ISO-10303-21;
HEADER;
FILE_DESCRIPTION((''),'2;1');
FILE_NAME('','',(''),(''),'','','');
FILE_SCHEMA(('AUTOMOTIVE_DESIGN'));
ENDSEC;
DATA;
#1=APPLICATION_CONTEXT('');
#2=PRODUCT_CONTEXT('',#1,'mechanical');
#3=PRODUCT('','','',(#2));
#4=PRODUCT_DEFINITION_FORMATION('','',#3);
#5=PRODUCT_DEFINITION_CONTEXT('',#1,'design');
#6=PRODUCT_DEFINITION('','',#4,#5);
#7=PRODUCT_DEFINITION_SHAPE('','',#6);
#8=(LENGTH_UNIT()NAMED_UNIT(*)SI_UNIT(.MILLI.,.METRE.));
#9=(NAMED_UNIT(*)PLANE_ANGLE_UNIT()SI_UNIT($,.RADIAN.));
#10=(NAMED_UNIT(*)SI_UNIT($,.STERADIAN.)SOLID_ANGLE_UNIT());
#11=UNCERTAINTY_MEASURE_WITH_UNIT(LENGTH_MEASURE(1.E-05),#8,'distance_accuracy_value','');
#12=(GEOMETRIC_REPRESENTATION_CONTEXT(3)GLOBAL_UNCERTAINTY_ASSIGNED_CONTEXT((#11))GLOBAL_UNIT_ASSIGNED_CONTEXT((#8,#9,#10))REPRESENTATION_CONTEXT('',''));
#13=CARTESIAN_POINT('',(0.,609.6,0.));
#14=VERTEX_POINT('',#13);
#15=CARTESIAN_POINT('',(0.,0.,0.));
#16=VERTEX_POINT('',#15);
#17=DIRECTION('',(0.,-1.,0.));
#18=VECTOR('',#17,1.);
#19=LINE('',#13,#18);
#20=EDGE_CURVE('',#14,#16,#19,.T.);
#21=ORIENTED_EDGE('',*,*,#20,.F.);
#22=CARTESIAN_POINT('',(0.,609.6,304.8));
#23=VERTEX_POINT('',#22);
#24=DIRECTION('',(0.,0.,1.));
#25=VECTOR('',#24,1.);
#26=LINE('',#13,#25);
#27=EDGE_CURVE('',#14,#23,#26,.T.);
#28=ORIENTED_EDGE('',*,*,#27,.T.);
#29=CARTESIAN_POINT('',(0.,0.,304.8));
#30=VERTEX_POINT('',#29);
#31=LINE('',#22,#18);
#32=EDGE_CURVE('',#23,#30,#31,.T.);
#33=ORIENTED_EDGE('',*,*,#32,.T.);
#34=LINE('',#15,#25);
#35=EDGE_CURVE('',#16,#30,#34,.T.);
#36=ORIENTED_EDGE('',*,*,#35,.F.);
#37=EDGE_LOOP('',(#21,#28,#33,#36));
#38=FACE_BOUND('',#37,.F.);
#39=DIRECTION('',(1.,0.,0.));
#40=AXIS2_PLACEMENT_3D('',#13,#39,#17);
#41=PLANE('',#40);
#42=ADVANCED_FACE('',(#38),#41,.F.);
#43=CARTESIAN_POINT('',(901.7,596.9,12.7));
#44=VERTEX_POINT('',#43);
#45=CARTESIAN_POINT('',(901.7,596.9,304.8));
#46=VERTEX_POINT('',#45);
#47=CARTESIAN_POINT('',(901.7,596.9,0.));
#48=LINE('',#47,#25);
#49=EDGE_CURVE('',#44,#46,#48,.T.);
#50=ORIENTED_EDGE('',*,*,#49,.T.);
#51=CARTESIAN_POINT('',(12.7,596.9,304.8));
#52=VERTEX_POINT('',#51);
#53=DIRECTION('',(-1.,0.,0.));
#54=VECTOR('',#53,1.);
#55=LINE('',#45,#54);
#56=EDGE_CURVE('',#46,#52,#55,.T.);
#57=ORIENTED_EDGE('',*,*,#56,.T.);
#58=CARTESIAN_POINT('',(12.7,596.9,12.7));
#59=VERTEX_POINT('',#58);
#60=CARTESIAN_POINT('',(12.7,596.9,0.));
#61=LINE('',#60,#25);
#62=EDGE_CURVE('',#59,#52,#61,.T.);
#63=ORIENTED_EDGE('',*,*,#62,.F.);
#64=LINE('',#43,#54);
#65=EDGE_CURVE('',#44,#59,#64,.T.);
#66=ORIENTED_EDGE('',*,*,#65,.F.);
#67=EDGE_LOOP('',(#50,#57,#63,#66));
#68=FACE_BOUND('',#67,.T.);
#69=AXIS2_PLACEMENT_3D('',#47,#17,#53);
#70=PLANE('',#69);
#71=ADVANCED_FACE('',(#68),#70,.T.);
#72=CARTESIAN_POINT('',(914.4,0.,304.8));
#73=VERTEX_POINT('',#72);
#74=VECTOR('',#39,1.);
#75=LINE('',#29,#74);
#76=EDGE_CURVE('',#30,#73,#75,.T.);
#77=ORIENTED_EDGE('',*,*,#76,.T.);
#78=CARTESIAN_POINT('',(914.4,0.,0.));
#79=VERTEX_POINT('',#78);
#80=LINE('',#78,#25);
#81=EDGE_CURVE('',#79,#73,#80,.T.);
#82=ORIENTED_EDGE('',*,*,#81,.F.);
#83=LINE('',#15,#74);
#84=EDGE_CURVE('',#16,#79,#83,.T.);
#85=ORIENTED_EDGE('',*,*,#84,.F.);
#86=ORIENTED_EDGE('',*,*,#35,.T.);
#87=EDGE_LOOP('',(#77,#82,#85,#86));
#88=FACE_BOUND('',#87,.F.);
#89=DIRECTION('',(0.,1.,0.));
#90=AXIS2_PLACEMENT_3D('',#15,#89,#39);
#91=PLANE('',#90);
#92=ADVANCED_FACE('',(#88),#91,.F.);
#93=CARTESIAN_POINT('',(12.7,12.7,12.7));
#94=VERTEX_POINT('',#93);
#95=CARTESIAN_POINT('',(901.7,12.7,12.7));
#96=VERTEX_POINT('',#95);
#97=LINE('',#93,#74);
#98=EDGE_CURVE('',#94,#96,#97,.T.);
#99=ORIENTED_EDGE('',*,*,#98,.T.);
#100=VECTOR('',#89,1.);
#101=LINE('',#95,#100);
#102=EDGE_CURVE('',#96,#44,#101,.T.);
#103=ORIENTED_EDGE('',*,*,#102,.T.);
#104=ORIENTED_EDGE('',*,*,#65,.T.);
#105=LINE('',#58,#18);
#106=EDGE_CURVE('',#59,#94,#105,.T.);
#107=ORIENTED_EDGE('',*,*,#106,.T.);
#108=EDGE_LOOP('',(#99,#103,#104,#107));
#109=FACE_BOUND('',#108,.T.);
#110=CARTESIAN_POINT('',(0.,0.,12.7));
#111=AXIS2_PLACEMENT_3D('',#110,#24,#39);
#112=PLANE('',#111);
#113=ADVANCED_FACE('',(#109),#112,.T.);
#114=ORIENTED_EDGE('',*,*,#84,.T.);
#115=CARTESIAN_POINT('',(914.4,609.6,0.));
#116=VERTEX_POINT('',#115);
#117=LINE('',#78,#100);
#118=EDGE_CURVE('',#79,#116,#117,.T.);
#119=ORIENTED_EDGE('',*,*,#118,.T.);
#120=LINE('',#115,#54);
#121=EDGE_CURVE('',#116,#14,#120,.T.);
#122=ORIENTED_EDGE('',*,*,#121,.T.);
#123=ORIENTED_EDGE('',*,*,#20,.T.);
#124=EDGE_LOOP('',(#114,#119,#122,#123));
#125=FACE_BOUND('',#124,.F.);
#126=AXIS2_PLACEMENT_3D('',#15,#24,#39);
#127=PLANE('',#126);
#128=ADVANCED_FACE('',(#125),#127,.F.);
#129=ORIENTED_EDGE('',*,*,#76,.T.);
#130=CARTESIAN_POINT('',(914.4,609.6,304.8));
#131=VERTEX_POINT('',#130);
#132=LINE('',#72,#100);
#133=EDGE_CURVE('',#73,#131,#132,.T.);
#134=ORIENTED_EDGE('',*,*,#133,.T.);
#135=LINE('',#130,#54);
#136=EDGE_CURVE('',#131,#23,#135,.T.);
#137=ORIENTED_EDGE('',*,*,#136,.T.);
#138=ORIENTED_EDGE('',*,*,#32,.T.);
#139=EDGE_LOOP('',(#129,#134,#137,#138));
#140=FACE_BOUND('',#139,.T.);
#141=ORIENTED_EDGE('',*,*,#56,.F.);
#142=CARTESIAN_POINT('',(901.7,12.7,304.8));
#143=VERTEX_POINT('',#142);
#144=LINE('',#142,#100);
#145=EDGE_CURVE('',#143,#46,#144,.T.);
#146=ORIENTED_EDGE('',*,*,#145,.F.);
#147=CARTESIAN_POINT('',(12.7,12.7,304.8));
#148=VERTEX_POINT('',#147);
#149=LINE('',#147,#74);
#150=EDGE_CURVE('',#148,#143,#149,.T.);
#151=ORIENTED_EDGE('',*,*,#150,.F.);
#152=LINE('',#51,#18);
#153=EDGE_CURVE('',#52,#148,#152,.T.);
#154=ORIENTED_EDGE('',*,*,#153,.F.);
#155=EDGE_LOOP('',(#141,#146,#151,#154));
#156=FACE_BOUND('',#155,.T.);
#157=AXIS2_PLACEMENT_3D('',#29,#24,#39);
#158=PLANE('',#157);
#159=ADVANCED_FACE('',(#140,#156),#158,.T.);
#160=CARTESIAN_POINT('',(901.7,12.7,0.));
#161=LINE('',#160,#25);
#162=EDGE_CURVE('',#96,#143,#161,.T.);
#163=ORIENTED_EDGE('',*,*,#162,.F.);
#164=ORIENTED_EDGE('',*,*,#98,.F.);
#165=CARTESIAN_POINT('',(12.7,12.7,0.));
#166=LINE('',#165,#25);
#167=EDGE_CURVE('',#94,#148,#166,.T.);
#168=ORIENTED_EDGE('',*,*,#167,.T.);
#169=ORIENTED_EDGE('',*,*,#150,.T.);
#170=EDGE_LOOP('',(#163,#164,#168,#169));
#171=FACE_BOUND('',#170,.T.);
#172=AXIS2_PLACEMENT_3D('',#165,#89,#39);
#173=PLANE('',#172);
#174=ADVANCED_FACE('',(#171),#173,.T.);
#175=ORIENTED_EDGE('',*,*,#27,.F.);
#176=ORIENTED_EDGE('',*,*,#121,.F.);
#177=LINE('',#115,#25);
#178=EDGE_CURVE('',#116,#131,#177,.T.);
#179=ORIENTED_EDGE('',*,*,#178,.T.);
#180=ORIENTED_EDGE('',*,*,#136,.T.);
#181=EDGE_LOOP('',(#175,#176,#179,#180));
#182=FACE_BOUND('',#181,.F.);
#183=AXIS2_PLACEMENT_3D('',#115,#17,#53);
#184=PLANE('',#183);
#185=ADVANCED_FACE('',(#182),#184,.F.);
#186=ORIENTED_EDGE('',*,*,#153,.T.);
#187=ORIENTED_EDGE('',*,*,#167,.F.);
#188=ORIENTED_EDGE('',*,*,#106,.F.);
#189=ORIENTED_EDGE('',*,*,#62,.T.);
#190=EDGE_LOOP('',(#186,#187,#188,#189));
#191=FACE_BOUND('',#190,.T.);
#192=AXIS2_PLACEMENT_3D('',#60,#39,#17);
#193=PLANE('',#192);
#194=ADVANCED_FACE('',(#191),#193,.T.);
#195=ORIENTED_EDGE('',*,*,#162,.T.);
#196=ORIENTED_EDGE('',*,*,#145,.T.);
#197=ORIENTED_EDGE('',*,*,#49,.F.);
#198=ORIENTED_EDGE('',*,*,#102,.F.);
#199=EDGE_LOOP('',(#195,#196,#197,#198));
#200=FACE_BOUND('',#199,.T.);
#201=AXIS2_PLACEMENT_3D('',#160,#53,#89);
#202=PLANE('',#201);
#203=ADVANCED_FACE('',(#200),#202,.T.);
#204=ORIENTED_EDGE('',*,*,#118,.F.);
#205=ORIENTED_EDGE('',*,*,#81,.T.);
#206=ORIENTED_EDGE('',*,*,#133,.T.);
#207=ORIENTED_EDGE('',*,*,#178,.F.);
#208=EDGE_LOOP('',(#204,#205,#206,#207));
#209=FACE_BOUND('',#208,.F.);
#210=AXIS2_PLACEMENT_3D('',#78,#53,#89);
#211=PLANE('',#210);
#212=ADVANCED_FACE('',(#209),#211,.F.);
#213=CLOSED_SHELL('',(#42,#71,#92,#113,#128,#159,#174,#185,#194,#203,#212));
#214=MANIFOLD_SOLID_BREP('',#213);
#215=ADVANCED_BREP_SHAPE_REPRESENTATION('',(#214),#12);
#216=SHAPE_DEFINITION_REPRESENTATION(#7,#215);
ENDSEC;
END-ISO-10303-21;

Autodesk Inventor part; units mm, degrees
ref_plane "YZ Plane" through (0, 0, 0) normal (1, 0, 0) x (0, 1, 0)
ref_plane "XZ Plane" through (0, 0, 0) normal (0, 1, 0) x (-1, 0, 0)
sketch "Sketch1" plane through (0, 0, 0) normal (0, 0, 1) x (1, 0, 0)
  line L0 (0, 0) -> (914.4, 0)
  line L1 (914.4, 0) -> (914.4, 609.6)
  line L2 (914.4, 609.6) -> (0, 609.6)
  line L3 (0, 609.6) -> (0, 0)
  line L4 (12.7, 12.7) -> (901.7, 12.7)
  line L5 (901.7, 12.7) -> (901.7, 596.9)
  line L6 (901.7, 596.9) -> (12.7, 596.9)
  line L7 (12.7, 596.9) -> (12.7, 12.7)
  dimension "d0" = 609.6
  dimension "d1" = 914.4
  dimension "d2" = 12.7
  dimension "d3" = 12.7
  dimension "d4" = 12.7
  dimension "d5" = 12.7
extrude "Extrusion1" add sketch "Sketch1" along normal blind 304.8
extrude "Extrusion2" add sketch "Sketch1" along normal blind 12.7 contours L7 L6 L5 L4
ref_plane "Work Plane1" through (0, 304.8, 0) normal (0, -1, 0) x (1, 0, 0)
equation "\"d0\" = length"
equation "\"d1\" = width"
equation "\"d2\" = thickness"
equation "\"d3\" = thickness"
equation "\"d4\" = thickness"
equation "\"d5\" = thickness"
equation "\"d6\" = height"
equation "\"d8\" = thickness"
equation "\"length\" = 609.6"
equation "\"width\" = 914.4"
equation "\"height\" = 304.8"
equation "\"thickness\" = 12.7"
properties part number "box"
